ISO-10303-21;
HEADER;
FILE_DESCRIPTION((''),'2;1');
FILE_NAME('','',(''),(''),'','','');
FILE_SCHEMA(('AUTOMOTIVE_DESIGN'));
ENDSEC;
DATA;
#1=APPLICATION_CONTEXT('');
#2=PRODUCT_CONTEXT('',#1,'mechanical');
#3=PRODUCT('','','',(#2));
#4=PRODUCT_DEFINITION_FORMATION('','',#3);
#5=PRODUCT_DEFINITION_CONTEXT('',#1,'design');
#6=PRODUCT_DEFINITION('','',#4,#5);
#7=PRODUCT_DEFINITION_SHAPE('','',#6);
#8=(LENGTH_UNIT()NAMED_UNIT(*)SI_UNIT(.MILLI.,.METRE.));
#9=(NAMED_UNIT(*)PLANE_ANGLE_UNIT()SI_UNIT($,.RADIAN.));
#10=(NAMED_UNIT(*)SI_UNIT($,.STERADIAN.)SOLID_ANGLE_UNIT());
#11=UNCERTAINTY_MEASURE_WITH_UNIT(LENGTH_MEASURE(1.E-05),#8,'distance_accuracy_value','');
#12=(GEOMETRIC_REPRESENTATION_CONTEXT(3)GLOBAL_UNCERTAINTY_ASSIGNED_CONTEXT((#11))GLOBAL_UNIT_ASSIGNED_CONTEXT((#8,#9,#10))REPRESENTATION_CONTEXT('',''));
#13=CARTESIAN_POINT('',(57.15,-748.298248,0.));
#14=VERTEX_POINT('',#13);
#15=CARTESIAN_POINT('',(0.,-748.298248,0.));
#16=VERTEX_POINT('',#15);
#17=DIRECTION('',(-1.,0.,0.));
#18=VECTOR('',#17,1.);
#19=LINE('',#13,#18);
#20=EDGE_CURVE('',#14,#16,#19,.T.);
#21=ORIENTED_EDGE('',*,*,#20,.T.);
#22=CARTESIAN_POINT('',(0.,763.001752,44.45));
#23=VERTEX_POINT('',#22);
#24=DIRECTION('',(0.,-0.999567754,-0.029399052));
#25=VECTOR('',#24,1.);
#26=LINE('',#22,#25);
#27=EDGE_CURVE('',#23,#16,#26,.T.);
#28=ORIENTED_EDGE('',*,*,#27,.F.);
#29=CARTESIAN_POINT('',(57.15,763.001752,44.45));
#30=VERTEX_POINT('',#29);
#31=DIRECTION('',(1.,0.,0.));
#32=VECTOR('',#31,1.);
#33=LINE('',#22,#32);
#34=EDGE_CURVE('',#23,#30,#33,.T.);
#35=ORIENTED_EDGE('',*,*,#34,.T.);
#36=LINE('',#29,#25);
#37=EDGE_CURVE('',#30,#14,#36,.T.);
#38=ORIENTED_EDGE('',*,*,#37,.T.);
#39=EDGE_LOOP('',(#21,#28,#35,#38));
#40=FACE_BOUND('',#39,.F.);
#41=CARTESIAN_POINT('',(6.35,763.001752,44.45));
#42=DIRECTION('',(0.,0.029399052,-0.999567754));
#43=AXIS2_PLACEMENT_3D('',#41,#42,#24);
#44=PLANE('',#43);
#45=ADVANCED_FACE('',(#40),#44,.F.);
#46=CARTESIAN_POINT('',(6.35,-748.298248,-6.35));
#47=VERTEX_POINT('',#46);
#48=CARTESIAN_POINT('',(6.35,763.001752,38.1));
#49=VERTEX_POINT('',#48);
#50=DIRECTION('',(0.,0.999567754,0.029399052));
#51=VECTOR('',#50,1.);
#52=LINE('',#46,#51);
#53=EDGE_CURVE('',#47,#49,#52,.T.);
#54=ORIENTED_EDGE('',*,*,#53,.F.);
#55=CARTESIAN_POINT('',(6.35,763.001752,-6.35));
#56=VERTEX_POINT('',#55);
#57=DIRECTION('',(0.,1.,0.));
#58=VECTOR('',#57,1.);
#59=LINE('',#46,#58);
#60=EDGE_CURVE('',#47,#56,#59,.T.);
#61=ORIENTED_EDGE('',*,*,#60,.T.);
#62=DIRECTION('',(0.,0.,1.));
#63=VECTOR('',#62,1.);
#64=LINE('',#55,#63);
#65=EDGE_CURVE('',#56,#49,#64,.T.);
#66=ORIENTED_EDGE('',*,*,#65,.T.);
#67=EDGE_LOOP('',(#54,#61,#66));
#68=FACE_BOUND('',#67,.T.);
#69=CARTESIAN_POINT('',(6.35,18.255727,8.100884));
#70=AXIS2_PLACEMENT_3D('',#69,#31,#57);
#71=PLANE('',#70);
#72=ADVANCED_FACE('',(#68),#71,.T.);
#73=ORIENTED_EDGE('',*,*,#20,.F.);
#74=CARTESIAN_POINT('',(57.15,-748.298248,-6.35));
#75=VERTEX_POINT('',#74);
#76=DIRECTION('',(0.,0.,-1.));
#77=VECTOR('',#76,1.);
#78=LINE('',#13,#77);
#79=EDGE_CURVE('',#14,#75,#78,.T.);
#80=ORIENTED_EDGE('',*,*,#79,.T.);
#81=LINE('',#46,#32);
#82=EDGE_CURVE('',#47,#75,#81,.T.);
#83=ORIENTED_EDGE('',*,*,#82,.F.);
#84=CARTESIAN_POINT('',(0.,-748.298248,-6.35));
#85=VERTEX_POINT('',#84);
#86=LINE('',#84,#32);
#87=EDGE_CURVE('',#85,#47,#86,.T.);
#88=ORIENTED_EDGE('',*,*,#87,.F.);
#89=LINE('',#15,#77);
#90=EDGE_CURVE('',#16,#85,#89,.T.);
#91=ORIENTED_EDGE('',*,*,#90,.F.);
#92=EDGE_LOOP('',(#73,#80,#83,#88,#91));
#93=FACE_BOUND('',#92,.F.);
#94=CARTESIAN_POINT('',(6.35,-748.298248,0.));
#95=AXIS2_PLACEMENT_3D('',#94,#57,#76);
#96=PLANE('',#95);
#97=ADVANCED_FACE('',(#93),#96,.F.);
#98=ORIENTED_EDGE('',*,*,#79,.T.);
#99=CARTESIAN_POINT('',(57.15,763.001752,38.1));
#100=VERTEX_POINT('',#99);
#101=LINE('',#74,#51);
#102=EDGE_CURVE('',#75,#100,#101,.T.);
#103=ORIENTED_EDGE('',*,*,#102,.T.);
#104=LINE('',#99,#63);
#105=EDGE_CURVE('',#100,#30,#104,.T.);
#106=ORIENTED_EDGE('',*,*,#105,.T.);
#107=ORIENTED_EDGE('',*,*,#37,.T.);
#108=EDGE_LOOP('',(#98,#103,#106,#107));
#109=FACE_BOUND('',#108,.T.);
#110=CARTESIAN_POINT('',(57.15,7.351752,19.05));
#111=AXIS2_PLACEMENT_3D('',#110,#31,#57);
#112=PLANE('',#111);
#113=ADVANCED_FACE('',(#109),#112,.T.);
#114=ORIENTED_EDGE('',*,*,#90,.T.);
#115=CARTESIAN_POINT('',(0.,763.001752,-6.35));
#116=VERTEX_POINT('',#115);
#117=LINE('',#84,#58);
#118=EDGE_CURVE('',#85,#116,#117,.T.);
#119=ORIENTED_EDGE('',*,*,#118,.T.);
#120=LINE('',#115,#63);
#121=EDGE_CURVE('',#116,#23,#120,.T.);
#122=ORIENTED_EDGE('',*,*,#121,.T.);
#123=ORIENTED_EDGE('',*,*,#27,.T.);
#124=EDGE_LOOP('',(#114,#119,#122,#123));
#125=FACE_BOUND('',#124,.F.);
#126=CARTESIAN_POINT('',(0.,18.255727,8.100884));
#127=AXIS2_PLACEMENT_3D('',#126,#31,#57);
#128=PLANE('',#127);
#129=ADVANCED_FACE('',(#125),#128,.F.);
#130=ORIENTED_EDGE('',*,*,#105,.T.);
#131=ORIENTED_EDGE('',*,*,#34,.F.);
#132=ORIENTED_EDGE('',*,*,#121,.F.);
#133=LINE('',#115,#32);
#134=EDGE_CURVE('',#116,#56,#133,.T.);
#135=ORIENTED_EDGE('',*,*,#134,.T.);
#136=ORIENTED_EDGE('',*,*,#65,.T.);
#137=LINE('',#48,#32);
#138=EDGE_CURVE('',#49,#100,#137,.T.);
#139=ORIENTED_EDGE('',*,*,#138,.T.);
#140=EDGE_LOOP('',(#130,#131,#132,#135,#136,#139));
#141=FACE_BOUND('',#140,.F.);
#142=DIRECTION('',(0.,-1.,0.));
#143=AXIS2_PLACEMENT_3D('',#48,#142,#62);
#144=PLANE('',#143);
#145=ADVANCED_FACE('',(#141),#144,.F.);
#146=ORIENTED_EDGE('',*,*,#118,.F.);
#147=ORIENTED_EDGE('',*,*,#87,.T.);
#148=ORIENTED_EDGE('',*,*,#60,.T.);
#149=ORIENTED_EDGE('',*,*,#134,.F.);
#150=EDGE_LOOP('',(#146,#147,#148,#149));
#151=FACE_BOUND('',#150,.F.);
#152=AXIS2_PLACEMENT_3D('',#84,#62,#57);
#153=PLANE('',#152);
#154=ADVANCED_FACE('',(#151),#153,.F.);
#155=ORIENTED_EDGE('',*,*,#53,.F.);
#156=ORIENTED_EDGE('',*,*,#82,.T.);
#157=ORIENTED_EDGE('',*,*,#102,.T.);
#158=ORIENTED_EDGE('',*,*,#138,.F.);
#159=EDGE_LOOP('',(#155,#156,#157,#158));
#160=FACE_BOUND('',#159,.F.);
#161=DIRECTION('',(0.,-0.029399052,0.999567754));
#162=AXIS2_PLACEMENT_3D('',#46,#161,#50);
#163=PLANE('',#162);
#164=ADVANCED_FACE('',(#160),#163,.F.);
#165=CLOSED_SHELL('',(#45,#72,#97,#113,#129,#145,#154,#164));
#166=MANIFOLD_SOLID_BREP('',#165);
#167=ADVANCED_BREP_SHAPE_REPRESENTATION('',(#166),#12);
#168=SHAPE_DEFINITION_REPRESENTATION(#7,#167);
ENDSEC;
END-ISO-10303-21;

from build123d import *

# Parameters (mm, degrees)
F1_DEPTH = 6.35
F3_DEPTH = 50.8


with BuildPart() as f1:
    # F0 (on Right) → F1 (new body)
    with BuildSketch(Plane.YZ):
        Polygon((-748.298248, -6.35), (763.001752, -6.35), (763.001752, 44.45), (-748.298248, 0), align=None)
    extrude(amount=F1_DEPTH)

    # F2 (on face) → F3 (join)
    with BuildSketch(Plane.YZ.offset(6.35)):
        Polygon((-748.298248, -6.35), (763.001752, 38.1), (763.001752, 44.45), (-748.298248, 0), align=None)
    extrude(amount=F3_DEPTH)


solid = f1.part
